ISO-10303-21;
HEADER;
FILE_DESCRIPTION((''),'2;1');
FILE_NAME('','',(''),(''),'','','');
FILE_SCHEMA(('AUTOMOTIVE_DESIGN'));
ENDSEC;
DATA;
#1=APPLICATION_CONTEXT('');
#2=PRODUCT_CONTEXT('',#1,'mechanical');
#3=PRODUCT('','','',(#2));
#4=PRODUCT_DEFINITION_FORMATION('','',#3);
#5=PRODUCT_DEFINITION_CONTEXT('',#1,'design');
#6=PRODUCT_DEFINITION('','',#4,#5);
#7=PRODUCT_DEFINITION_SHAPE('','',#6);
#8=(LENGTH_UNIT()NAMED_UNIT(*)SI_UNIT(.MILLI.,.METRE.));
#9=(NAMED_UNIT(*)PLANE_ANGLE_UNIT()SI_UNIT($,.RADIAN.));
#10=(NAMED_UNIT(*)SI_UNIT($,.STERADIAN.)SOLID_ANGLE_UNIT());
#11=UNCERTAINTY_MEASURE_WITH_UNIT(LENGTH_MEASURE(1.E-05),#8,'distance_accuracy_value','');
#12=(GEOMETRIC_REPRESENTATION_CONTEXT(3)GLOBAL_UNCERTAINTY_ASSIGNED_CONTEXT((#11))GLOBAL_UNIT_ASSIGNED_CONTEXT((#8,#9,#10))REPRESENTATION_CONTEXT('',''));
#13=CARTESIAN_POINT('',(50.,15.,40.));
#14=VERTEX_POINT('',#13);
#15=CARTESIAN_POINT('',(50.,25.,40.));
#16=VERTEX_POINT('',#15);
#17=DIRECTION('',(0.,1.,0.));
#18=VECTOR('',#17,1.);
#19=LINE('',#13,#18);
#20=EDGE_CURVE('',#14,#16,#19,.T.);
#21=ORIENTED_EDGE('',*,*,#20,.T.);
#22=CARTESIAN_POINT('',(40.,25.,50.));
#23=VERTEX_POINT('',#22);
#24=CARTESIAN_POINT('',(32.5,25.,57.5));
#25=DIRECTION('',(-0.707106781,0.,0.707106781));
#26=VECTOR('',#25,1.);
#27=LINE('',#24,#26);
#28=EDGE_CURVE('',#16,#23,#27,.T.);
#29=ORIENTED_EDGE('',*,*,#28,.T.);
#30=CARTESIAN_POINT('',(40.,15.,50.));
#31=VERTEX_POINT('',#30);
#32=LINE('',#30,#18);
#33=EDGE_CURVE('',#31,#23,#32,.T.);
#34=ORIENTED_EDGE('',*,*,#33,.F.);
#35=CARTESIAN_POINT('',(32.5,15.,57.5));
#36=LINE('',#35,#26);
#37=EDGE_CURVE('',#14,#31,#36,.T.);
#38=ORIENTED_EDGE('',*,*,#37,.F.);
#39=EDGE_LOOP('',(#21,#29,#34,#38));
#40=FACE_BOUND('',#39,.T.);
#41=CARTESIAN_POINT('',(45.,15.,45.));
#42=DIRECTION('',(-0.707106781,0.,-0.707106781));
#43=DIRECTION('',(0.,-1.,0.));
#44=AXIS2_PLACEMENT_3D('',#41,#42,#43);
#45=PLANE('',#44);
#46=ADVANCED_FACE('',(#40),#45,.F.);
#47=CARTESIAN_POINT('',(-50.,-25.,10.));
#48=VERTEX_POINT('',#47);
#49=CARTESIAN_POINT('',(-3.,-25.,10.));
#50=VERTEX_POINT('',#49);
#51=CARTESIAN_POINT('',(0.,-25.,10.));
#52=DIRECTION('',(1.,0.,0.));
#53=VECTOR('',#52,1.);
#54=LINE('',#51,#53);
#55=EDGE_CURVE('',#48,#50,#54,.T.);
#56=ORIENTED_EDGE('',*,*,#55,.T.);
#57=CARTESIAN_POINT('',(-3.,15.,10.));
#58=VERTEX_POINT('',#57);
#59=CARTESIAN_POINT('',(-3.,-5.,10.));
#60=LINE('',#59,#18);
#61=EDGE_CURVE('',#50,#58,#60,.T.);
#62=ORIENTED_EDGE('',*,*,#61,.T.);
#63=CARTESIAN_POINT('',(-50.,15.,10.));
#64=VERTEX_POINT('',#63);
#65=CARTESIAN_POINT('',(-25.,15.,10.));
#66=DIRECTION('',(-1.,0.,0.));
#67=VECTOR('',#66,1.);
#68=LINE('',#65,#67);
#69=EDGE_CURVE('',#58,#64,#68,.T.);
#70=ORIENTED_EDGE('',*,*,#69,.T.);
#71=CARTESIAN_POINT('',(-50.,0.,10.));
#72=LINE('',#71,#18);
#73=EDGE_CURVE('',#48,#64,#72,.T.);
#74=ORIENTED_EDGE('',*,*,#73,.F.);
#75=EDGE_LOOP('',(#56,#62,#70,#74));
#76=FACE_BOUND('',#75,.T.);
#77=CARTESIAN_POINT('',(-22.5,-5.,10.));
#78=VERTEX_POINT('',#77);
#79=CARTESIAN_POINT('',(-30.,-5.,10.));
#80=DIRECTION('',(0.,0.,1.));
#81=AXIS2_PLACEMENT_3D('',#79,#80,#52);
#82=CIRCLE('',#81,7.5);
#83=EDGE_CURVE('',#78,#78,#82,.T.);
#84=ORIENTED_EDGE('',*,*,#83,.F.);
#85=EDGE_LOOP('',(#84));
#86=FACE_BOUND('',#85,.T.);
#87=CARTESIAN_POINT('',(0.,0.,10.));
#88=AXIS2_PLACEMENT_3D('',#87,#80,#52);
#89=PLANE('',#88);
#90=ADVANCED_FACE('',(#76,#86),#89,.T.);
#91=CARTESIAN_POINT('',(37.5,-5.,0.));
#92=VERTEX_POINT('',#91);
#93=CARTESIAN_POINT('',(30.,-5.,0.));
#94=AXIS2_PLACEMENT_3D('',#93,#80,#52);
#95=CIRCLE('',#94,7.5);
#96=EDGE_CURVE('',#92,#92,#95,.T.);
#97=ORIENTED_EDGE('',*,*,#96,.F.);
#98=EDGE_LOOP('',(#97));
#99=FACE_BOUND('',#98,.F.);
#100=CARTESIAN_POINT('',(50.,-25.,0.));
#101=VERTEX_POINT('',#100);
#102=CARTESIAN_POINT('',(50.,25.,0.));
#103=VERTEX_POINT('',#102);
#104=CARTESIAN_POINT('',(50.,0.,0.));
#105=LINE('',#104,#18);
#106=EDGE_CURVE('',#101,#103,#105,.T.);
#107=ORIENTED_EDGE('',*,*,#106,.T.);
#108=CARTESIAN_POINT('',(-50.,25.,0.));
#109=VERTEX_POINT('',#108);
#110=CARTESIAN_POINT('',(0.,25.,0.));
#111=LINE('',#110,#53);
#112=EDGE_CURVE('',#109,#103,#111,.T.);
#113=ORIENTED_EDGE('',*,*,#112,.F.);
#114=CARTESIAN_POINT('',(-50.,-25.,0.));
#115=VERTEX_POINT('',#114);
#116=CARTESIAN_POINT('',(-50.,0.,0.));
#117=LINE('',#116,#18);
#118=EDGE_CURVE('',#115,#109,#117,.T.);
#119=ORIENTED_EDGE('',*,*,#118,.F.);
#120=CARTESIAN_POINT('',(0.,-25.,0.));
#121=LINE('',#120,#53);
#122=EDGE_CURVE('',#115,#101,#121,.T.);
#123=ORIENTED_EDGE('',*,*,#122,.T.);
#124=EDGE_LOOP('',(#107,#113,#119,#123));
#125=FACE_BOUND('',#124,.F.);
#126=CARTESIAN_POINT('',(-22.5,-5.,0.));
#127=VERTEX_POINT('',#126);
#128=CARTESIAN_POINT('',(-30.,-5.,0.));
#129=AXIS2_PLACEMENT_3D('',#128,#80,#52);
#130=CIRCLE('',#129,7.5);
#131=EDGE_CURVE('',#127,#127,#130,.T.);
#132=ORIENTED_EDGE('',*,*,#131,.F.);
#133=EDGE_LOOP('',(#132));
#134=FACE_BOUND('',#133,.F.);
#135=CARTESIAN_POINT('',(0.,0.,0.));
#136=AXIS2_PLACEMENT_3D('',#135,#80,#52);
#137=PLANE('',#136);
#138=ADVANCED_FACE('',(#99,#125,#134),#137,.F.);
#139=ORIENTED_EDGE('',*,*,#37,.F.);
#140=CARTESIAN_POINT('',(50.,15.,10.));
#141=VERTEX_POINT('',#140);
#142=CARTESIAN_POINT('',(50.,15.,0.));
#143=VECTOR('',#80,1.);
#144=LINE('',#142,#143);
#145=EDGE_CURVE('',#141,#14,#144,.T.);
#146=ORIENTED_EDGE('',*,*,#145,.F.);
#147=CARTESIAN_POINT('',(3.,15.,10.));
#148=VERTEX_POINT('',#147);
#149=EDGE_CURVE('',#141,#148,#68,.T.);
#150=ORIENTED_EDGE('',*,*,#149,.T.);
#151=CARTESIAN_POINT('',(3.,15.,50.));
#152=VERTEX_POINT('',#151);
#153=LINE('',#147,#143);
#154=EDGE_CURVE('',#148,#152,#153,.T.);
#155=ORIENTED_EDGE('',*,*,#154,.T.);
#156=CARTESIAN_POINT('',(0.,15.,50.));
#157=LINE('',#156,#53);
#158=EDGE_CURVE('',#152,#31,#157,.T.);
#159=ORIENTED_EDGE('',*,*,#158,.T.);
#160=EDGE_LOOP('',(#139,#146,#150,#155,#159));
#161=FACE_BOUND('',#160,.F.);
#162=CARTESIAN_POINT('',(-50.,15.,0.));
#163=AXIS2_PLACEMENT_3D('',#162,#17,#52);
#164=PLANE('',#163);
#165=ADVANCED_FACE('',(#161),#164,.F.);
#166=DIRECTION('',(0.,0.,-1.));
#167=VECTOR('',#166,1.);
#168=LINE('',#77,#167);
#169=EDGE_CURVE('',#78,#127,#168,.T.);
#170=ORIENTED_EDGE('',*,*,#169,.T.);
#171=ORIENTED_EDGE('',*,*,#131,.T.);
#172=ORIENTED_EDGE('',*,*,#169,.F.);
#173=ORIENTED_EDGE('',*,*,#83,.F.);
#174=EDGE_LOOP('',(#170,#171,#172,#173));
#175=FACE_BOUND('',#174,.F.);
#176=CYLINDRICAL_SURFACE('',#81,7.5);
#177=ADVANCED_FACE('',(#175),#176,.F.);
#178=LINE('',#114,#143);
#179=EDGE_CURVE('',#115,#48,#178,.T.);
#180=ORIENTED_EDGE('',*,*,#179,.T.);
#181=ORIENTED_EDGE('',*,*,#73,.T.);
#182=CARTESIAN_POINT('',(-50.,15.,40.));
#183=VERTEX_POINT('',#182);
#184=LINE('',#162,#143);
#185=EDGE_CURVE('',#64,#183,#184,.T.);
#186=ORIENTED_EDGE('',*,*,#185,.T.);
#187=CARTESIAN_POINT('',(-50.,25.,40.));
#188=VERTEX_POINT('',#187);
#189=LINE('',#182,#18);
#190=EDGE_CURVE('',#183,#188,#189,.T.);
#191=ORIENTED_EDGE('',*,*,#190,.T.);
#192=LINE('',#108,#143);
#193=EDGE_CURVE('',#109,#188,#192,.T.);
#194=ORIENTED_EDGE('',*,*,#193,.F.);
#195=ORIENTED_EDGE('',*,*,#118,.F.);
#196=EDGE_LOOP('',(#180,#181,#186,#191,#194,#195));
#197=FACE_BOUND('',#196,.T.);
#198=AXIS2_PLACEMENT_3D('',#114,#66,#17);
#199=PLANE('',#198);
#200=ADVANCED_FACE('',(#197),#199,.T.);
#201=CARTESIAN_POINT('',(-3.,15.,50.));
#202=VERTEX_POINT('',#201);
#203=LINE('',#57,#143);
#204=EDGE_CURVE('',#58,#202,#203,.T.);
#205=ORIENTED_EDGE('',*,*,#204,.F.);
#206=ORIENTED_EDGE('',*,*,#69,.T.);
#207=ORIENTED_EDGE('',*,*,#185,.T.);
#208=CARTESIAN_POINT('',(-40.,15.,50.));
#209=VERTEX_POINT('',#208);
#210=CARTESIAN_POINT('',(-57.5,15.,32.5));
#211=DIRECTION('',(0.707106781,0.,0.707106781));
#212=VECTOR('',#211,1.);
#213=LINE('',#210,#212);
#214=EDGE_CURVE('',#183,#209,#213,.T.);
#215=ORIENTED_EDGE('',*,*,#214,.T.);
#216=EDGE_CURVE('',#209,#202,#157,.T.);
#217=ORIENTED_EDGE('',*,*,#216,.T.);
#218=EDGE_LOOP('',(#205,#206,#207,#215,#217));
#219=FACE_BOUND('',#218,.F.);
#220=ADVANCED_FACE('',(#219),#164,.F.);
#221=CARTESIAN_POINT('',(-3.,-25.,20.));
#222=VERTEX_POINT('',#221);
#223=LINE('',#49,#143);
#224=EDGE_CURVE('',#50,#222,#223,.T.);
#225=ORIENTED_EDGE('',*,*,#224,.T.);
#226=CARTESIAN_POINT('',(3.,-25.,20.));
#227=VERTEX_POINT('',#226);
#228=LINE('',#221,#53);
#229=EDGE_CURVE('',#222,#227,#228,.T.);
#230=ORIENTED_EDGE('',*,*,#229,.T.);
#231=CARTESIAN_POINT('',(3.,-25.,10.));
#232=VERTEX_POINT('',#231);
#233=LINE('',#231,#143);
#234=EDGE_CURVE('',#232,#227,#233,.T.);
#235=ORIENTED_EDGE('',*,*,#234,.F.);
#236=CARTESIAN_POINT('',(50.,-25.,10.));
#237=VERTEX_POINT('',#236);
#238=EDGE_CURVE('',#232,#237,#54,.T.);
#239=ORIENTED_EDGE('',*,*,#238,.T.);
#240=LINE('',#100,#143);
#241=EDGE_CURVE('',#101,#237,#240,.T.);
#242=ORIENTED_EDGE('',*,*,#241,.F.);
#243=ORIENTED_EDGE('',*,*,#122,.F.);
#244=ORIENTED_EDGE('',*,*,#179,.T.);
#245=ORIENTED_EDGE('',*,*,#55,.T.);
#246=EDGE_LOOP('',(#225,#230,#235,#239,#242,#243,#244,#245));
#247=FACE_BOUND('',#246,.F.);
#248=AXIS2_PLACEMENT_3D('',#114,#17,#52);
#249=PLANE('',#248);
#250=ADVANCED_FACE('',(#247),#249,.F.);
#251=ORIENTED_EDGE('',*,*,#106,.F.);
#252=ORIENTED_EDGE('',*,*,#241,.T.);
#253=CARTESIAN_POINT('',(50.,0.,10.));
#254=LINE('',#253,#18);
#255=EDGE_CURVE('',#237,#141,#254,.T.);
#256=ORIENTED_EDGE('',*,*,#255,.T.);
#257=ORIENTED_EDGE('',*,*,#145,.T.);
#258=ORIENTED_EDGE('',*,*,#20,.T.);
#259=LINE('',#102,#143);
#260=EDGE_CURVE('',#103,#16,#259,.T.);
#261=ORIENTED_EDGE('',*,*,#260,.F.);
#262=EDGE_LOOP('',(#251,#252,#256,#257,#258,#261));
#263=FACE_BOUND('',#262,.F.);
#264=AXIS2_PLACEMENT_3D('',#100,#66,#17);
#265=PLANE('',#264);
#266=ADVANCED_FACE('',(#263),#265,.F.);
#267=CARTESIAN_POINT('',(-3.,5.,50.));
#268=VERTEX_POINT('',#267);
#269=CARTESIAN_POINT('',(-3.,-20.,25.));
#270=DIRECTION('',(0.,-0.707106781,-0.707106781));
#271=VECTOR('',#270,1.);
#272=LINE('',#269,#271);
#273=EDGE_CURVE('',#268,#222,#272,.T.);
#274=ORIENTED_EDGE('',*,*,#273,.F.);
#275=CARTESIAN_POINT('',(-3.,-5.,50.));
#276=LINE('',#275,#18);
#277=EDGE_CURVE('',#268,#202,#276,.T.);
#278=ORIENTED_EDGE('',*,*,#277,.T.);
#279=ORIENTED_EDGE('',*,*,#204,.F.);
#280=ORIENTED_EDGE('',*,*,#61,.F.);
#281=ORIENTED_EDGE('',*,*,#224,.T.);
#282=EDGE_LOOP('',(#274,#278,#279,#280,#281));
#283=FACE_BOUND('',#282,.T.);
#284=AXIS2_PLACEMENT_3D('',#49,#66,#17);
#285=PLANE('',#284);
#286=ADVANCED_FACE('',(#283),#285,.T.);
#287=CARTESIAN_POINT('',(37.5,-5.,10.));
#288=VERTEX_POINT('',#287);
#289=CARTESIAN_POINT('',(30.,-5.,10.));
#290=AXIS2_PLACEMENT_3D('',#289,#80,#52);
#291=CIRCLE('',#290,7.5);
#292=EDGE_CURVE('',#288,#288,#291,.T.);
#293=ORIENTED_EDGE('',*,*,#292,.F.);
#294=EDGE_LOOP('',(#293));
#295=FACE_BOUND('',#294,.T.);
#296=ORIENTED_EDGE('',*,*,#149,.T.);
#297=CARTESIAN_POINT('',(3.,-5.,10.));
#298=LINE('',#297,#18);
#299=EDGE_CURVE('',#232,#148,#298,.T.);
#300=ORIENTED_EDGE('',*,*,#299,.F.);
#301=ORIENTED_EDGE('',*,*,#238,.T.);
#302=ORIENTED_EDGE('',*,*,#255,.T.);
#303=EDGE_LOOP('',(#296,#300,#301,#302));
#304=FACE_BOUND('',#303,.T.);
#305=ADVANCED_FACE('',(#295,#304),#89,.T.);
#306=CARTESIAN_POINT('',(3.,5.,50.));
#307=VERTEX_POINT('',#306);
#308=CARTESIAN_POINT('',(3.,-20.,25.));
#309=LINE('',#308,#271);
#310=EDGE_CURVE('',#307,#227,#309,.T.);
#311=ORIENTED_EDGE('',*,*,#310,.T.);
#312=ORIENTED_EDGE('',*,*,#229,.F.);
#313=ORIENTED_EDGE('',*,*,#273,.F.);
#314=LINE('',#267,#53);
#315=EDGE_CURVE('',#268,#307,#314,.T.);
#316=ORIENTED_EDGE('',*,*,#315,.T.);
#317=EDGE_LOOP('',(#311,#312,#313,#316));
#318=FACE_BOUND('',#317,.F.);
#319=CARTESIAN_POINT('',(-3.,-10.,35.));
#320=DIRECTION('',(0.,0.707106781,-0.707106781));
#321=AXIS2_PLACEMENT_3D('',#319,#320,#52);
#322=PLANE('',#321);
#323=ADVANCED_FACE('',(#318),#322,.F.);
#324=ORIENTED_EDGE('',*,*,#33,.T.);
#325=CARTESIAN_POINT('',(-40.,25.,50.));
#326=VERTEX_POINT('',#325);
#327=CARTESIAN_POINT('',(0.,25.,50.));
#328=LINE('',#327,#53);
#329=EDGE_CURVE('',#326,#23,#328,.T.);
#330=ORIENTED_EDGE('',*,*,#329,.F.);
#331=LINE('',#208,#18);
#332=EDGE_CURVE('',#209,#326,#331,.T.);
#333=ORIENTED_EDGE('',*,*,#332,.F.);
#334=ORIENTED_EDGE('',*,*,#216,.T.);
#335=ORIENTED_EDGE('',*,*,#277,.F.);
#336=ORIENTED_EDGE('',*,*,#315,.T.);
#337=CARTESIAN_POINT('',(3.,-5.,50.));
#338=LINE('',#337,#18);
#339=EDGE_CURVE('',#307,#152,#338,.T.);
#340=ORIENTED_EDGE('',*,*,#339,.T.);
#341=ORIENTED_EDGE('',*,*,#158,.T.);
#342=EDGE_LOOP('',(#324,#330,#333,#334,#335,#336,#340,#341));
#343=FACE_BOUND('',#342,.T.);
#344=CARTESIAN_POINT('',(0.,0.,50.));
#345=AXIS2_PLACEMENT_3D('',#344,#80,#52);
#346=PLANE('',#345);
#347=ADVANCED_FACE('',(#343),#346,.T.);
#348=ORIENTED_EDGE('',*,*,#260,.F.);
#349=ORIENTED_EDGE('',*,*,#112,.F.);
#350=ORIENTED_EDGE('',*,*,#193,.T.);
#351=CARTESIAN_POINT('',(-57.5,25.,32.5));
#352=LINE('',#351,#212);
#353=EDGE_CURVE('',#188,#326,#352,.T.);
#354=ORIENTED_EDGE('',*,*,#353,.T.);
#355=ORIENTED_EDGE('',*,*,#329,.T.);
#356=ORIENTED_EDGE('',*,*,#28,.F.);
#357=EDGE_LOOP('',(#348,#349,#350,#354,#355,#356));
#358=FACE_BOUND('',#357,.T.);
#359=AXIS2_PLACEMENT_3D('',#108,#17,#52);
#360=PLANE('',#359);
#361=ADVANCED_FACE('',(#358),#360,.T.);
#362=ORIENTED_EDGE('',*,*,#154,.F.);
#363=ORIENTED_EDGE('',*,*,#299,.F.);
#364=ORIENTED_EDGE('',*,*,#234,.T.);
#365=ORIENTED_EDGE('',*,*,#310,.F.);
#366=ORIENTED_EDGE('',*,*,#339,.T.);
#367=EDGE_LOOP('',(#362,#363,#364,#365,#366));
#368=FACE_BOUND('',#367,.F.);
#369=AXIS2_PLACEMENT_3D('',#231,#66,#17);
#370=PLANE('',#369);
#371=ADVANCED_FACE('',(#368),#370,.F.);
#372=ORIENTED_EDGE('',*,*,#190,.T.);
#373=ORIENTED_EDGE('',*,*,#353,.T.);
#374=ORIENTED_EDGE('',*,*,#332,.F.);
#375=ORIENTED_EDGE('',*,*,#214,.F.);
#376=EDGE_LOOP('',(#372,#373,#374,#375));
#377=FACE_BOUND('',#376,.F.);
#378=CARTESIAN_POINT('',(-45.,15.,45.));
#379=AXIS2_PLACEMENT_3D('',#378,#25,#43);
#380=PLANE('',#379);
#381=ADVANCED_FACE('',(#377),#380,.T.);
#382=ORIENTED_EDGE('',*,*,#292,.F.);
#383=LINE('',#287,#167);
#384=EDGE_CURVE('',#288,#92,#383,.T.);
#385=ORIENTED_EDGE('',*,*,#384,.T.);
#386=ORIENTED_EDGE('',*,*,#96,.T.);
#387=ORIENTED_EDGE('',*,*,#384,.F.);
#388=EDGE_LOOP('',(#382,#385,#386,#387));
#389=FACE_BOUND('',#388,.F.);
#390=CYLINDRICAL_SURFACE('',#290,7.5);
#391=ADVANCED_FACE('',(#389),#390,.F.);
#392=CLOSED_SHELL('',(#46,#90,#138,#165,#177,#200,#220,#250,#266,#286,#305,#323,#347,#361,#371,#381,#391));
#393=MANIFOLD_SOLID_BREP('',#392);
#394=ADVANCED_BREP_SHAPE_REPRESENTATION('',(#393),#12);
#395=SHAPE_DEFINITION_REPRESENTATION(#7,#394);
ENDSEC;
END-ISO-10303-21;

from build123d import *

# Parameters (mm, degrees)
F0_W     = 100
F0_H     = 50
F1_DEPTH = 50
F2_T     = -10
F3_R     = 7.5
F4_DEPTH = 10.001
F5_W     = 6
F5_H     = 40
F6_DEPTH = 40
F7_SIZE  = 10
F8_SIZE  = 30


with BuildPart() as f1:
    # F0 (on Top) → F1 (new body)
    with BuildSketch(Plane.XY):
        Rectangle(F0_W, F0_H)
    extrude(amount=F1_DEPTH)

    # F2
    f2_openings = [f1.faces().sort_by_distance(p)[0] for p in [
        (50, 0, 25),
        (0, 0, 50),
        (0, -25, 25),
        (-50, 0, 25),
    ]]
    offset(amount=F2_T, openings=f2_openings)

    # F3 (on face) → F4 (cut, through all)
    with BuildSketch(Plane.XY.offset(10)):
        with Locations((-30, -5)):
            Circle(F3_R)
        with Locations((30, -5)):
            Circle(F3_R)
    extrude(amount=-F4_DEPTH, mode=Mode.SUBTRACT)

    # F5 (on face) → F6 (join, through all)
    with BuildSketch(Plane.XY.offset(10)):
        with Locations((0, -5)):
            Rectangle(F5_W, F5_H)
    extrude(amount=F6_DEPTH)

    # F7
    f7_edges = [f1.edges().sort_by_distance(p)[0] for p in [
        (50, 20, 50),
        (-50, 20, 50),
    ]]
    chamfer(f7_edges, length=F7_SIZE)

    # F8
    f8_edges = [f1.edges().sort_by_distance(p)[0] for p in [
        (0, -25, 50),
    ]]
    chamfer(f8_edges, length=F8_SIZE)


solid = f1.part
